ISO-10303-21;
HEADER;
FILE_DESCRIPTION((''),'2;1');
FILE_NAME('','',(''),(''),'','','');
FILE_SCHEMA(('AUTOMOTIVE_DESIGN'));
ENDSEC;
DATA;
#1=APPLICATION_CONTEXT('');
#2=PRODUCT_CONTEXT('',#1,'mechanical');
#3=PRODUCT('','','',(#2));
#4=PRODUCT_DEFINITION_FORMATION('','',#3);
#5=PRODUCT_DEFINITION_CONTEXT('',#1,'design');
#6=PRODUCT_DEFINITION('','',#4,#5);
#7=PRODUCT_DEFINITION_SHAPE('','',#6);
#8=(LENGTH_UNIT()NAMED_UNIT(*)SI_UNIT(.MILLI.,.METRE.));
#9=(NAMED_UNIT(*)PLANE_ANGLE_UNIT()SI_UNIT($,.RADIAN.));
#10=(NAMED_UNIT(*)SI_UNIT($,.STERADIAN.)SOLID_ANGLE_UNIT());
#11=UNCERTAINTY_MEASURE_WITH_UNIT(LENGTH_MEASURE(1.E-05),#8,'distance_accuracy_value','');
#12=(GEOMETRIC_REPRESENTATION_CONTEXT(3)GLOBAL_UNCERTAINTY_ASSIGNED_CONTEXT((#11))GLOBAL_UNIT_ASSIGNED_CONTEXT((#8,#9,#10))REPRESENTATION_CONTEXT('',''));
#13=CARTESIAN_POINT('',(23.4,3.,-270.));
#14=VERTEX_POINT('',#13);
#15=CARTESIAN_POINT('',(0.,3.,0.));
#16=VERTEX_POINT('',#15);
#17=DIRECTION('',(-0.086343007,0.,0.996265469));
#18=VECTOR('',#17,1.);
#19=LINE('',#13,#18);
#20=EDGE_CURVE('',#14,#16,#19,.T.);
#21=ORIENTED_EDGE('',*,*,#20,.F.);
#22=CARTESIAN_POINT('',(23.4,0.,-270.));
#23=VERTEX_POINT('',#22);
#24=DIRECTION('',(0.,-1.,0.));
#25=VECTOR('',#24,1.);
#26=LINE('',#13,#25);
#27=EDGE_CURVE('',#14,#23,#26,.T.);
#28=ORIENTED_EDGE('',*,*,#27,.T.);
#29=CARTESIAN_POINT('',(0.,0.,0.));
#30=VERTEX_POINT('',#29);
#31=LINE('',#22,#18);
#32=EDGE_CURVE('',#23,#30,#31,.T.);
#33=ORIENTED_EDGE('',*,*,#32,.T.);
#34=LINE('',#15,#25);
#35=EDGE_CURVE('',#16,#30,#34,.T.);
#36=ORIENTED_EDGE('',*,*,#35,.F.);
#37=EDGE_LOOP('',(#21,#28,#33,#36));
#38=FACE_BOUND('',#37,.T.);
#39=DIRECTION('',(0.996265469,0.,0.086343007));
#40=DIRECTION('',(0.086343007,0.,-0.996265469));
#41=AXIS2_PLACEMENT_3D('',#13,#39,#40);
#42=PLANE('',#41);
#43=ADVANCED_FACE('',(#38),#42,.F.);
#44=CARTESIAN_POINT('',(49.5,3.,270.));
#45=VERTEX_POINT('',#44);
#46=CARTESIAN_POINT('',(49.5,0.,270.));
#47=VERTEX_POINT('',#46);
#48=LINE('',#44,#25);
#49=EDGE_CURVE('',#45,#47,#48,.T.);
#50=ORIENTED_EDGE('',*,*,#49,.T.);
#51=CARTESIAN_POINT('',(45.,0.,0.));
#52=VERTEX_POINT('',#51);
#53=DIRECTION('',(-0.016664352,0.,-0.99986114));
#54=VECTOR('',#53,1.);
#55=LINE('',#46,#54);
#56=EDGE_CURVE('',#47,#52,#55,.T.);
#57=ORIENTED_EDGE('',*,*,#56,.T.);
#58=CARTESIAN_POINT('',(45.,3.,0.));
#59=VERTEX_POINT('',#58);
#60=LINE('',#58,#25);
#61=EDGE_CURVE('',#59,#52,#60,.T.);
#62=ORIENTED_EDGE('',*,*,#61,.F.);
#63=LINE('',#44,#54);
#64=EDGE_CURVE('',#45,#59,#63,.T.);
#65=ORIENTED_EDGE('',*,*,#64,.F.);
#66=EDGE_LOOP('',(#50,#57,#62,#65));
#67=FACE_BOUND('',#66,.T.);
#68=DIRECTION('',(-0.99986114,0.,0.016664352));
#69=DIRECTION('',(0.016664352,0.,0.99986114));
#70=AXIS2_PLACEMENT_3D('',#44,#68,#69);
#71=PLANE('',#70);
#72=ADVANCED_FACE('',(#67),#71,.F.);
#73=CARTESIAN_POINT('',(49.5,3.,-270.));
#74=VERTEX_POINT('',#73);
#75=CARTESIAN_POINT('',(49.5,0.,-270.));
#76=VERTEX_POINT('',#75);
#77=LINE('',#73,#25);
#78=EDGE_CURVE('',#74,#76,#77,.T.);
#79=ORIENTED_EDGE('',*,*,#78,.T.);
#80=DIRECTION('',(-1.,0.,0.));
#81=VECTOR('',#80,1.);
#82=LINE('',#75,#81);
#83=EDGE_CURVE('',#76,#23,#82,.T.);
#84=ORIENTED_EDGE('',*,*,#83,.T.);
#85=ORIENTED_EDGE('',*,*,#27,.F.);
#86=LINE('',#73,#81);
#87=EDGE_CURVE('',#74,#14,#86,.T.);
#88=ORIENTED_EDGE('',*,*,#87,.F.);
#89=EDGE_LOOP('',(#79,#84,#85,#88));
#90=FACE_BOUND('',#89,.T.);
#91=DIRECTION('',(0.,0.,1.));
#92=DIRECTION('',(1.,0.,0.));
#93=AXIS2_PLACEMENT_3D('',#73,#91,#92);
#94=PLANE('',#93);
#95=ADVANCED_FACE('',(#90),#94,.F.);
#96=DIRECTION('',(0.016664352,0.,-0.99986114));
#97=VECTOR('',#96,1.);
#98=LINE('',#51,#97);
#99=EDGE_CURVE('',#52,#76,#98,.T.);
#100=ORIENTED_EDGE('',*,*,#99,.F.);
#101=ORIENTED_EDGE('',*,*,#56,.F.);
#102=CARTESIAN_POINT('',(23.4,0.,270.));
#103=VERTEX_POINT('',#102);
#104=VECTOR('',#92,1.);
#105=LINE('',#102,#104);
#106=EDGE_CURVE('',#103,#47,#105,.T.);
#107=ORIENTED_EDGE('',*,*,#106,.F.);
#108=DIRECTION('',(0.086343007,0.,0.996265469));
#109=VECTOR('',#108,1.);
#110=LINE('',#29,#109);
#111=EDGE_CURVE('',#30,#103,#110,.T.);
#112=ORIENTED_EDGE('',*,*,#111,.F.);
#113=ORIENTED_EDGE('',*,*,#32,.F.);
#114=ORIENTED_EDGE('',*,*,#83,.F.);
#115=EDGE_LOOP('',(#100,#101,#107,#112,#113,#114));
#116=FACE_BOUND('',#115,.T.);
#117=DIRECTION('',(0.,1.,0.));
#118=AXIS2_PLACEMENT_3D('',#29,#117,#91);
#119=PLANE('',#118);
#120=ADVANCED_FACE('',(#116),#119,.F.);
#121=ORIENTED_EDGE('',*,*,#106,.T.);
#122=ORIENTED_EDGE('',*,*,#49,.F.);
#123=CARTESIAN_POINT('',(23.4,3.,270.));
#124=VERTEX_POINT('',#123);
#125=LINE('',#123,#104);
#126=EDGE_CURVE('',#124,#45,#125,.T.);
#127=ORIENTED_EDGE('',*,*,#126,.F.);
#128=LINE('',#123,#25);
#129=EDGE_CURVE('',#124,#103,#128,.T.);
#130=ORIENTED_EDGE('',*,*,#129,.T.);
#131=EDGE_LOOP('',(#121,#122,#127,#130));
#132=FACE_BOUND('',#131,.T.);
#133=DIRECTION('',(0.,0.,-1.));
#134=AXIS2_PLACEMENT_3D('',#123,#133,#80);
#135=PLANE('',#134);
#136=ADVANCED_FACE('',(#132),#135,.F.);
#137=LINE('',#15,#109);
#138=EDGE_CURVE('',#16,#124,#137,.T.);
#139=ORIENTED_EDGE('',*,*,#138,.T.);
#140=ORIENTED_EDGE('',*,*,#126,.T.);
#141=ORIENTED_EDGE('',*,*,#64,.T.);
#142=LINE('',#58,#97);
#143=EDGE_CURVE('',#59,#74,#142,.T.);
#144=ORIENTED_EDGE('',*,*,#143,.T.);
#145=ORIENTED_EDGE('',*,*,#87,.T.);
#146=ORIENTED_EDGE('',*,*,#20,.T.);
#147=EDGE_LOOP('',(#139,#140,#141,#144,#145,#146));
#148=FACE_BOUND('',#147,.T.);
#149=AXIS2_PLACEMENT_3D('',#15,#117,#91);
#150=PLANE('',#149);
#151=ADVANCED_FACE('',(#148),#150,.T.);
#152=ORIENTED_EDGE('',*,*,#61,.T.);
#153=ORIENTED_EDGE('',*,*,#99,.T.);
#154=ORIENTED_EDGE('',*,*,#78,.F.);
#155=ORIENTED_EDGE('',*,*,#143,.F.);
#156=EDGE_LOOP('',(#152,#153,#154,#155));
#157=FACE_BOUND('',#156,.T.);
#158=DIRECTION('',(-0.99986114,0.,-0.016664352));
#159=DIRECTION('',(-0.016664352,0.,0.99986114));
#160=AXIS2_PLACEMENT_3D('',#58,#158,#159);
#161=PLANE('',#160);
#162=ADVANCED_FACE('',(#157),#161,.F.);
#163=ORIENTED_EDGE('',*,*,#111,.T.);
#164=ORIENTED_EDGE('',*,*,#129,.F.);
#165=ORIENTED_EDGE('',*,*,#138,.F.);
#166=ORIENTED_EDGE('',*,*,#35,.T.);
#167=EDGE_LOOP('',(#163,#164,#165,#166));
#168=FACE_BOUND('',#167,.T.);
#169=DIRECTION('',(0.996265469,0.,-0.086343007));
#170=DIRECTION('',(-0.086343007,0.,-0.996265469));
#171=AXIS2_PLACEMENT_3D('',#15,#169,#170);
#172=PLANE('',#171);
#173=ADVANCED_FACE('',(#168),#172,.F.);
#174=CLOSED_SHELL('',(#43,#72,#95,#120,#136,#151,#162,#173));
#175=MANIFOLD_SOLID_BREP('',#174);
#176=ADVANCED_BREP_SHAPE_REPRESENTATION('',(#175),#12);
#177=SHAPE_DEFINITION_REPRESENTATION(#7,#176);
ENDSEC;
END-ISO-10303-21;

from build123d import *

# Parameters (mm, degrees)
BOSS_EXTRUDE1_DEPTH = 3


with BuildPart() as part:
    # Sketch1 → Boss-Extrude1 (new body)
    with BuildSketch(Plane(origin=(0, 0, 0), x_dir=(1, 0, 0), z_dir=(0, 1, 0))):
        Polygon((49.5, 270), (23.4, 270), (0, 0), (23.4, -270), (49.5, -270), (45, 0), align=None)
    extrude(amount=BOSS_EXTRUDE1_DEPTH)


solid = part.part
